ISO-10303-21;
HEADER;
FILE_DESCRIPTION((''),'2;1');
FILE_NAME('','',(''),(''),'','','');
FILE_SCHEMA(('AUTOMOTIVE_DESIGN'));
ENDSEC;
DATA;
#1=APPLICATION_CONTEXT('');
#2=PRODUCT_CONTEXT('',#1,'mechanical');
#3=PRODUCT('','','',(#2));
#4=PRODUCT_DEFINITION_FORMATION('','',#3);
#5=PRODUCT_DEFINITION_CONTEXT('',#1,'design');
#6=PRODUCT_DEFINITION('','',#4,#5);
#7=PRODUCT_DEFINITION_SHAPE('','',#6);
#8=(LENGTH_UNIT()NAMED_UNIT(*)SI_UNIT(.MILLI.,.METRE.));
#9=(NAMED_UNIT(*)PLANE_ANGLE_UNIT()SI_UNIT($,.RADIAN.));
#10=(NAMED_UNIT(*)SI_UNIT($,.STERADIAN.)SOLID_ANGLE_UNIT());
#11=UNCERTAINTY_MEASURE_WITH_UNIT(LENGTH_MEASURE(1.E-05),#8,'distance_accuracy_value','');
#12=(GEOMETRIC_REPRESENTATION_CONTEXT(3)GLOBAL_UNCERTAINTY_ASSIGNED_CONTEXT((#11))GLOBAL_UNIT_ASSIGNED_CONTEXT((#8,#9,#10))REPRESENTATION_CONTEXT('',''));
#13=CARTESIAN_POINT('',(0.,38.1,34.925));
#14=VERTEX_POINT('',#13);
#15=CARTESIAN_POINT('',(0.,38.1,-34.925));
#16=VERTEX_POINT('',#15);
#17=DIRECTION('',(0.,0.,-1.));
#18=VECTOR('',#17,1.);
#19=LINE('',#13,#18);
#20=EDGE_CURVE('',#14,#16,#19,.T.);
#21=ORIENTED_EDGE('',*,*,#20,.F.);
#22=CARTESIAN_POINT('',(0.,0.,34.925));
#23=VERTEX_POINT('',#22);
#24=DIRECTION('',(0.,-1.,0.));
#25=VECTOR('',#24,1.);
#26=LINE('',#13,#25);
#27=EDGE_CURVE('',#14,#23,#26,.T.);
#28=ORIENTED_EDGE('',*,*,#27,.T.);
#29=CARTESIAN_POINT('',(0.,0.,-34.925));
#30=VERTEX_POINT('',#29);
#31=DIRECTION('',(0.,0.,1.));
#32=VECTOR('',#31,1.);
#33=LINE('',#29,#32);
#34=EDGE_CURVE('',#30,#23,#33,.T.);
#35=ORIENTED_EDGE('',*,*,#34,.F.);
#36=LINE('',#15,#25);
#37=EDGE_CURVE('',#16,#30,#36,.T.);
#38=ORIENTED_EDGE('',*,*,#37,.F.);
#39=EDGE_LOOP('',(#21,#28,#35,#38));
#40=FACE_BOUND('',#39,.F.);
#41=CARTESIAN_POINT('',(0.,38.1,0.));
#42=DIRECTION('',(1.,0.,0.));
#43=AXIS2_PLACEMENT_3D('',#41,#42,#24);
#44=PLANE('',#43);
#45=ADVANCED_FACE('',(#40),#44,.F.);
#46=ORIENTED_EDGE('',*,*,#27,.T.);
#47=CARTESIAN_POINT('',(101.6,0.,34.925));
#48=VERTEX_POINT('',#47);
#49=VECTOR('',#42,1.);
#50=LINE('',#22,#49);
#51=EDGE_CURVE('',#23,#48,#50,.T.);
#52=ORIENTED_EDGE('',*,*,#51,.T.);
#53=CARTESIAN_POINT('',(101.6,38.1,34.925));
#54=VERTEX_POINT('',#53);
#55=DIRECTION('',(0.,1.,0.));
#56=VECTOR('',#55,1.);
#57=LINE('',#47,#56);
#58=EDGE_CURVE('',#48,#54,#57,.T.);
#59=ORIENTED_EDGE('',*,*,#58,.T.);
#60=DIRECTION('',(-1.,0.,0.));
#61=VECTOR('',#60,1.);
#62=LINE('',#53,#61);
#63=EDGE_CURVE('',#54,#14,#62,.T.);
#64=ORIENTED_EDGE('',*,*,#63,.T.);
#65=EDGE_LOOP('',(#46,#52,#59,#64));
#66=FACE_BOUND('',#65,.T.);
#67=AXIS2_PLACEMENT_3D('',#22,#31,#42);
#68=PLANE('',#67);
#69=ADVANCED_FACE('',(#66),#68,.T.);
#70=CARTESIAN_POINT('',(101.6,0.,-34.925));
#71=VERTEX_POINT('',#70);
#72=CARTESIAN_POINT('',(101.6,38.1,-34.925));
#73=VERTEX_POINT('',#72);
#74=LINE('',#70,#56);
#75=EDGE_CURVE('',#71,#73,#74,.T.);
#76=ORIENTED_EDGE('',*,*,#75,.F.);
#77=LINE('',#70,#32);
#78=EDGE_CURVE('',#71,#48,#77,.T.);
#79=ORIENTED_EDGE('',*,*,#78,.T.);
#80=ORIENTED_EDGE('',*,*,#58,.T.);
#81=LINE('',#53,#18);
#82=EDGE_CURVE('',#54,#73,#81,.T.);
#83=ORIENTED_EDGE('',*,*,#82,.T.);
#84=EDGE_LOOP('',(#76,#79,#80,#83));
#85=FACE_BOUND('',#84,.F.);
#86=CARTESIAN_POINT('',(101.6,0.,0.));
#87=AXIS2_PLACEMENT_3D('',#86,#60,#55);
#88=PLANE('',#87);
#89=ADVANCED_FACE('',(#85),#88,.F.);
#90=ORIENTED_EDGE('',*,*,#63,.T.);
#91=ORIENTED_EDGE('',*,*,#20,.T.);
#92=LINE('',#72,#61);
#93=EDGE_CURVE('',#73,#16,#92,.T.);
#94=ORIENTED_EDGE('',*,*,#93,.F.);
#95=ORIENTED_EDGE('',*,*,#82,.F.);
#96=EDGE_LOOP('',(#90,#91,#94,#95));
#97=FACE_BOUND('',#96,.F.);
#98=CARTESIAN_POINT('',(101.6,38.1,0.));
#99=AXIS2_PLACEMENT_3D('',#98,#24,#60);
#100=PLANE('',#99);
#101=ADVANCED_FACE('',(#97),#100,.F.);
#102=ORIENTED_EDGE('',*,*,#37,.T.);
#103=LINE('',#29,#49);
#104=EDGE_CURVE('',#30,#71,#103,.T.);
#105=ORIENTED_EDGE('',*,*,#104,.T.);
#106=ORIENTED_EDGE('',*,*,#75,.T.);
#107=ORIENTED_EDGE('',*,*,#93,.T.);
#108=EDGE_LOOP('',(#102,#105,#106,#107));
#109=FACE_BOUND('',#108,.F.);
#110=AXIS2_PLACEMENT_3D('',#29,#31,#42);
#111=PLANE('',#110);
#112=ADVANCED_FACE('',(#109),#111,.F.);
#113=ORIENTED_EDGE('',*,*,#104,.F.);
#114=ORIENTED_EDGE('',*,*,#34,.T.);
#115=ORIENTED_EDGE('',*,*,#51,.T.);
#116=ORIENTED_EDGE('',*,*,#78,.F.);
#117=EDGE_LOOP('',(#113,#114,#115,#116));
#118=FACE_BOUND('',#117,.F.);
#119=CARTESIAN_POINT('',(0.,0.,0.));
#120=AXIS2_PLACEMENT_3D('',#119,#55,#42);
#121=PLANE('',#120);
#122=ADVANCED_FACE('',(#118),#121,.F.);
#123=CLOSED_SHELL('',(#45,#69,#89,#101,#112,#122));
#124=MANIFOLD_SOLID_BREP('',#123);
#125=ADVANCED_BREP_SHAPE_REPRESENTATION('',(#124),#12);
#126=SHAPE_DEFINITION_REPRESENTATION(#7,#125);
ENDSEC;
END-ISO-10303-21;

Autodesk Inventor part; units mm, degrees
ref_plane "YZ Plane" through (0, 0, 0) normal (1, 0, 0) x (0, 1, 0)
ref_plane "XZ Plane" through (0, 0, 0) normal (0, 1, 0) x (-1, 0, 0)
ref_plane "XY Plane" through (0, 0, 0) normal (0, 0, 1) x (1, 0, 0)
sketch "Sketch1" plane through (0, 0, 0) normal (0, 0, 1) x (1, 0, 0)
  line L0 (0, 0) -> (101.6, 0)
  line L1 (101.6, 0) -> (101.6, 38.1)
  line L2 (101.6, 38.1) -> (0, 38.1)
  line L3 (0, 38.1) -> (0, 0)
  dimension "d0" = 101.6
  dimension "d1" = 38.1
extrude "Extrusion1" add sketch "Sketch1" along normal mid plane 69.85
properties part number "06_04_Computer_Mouse_Start"
